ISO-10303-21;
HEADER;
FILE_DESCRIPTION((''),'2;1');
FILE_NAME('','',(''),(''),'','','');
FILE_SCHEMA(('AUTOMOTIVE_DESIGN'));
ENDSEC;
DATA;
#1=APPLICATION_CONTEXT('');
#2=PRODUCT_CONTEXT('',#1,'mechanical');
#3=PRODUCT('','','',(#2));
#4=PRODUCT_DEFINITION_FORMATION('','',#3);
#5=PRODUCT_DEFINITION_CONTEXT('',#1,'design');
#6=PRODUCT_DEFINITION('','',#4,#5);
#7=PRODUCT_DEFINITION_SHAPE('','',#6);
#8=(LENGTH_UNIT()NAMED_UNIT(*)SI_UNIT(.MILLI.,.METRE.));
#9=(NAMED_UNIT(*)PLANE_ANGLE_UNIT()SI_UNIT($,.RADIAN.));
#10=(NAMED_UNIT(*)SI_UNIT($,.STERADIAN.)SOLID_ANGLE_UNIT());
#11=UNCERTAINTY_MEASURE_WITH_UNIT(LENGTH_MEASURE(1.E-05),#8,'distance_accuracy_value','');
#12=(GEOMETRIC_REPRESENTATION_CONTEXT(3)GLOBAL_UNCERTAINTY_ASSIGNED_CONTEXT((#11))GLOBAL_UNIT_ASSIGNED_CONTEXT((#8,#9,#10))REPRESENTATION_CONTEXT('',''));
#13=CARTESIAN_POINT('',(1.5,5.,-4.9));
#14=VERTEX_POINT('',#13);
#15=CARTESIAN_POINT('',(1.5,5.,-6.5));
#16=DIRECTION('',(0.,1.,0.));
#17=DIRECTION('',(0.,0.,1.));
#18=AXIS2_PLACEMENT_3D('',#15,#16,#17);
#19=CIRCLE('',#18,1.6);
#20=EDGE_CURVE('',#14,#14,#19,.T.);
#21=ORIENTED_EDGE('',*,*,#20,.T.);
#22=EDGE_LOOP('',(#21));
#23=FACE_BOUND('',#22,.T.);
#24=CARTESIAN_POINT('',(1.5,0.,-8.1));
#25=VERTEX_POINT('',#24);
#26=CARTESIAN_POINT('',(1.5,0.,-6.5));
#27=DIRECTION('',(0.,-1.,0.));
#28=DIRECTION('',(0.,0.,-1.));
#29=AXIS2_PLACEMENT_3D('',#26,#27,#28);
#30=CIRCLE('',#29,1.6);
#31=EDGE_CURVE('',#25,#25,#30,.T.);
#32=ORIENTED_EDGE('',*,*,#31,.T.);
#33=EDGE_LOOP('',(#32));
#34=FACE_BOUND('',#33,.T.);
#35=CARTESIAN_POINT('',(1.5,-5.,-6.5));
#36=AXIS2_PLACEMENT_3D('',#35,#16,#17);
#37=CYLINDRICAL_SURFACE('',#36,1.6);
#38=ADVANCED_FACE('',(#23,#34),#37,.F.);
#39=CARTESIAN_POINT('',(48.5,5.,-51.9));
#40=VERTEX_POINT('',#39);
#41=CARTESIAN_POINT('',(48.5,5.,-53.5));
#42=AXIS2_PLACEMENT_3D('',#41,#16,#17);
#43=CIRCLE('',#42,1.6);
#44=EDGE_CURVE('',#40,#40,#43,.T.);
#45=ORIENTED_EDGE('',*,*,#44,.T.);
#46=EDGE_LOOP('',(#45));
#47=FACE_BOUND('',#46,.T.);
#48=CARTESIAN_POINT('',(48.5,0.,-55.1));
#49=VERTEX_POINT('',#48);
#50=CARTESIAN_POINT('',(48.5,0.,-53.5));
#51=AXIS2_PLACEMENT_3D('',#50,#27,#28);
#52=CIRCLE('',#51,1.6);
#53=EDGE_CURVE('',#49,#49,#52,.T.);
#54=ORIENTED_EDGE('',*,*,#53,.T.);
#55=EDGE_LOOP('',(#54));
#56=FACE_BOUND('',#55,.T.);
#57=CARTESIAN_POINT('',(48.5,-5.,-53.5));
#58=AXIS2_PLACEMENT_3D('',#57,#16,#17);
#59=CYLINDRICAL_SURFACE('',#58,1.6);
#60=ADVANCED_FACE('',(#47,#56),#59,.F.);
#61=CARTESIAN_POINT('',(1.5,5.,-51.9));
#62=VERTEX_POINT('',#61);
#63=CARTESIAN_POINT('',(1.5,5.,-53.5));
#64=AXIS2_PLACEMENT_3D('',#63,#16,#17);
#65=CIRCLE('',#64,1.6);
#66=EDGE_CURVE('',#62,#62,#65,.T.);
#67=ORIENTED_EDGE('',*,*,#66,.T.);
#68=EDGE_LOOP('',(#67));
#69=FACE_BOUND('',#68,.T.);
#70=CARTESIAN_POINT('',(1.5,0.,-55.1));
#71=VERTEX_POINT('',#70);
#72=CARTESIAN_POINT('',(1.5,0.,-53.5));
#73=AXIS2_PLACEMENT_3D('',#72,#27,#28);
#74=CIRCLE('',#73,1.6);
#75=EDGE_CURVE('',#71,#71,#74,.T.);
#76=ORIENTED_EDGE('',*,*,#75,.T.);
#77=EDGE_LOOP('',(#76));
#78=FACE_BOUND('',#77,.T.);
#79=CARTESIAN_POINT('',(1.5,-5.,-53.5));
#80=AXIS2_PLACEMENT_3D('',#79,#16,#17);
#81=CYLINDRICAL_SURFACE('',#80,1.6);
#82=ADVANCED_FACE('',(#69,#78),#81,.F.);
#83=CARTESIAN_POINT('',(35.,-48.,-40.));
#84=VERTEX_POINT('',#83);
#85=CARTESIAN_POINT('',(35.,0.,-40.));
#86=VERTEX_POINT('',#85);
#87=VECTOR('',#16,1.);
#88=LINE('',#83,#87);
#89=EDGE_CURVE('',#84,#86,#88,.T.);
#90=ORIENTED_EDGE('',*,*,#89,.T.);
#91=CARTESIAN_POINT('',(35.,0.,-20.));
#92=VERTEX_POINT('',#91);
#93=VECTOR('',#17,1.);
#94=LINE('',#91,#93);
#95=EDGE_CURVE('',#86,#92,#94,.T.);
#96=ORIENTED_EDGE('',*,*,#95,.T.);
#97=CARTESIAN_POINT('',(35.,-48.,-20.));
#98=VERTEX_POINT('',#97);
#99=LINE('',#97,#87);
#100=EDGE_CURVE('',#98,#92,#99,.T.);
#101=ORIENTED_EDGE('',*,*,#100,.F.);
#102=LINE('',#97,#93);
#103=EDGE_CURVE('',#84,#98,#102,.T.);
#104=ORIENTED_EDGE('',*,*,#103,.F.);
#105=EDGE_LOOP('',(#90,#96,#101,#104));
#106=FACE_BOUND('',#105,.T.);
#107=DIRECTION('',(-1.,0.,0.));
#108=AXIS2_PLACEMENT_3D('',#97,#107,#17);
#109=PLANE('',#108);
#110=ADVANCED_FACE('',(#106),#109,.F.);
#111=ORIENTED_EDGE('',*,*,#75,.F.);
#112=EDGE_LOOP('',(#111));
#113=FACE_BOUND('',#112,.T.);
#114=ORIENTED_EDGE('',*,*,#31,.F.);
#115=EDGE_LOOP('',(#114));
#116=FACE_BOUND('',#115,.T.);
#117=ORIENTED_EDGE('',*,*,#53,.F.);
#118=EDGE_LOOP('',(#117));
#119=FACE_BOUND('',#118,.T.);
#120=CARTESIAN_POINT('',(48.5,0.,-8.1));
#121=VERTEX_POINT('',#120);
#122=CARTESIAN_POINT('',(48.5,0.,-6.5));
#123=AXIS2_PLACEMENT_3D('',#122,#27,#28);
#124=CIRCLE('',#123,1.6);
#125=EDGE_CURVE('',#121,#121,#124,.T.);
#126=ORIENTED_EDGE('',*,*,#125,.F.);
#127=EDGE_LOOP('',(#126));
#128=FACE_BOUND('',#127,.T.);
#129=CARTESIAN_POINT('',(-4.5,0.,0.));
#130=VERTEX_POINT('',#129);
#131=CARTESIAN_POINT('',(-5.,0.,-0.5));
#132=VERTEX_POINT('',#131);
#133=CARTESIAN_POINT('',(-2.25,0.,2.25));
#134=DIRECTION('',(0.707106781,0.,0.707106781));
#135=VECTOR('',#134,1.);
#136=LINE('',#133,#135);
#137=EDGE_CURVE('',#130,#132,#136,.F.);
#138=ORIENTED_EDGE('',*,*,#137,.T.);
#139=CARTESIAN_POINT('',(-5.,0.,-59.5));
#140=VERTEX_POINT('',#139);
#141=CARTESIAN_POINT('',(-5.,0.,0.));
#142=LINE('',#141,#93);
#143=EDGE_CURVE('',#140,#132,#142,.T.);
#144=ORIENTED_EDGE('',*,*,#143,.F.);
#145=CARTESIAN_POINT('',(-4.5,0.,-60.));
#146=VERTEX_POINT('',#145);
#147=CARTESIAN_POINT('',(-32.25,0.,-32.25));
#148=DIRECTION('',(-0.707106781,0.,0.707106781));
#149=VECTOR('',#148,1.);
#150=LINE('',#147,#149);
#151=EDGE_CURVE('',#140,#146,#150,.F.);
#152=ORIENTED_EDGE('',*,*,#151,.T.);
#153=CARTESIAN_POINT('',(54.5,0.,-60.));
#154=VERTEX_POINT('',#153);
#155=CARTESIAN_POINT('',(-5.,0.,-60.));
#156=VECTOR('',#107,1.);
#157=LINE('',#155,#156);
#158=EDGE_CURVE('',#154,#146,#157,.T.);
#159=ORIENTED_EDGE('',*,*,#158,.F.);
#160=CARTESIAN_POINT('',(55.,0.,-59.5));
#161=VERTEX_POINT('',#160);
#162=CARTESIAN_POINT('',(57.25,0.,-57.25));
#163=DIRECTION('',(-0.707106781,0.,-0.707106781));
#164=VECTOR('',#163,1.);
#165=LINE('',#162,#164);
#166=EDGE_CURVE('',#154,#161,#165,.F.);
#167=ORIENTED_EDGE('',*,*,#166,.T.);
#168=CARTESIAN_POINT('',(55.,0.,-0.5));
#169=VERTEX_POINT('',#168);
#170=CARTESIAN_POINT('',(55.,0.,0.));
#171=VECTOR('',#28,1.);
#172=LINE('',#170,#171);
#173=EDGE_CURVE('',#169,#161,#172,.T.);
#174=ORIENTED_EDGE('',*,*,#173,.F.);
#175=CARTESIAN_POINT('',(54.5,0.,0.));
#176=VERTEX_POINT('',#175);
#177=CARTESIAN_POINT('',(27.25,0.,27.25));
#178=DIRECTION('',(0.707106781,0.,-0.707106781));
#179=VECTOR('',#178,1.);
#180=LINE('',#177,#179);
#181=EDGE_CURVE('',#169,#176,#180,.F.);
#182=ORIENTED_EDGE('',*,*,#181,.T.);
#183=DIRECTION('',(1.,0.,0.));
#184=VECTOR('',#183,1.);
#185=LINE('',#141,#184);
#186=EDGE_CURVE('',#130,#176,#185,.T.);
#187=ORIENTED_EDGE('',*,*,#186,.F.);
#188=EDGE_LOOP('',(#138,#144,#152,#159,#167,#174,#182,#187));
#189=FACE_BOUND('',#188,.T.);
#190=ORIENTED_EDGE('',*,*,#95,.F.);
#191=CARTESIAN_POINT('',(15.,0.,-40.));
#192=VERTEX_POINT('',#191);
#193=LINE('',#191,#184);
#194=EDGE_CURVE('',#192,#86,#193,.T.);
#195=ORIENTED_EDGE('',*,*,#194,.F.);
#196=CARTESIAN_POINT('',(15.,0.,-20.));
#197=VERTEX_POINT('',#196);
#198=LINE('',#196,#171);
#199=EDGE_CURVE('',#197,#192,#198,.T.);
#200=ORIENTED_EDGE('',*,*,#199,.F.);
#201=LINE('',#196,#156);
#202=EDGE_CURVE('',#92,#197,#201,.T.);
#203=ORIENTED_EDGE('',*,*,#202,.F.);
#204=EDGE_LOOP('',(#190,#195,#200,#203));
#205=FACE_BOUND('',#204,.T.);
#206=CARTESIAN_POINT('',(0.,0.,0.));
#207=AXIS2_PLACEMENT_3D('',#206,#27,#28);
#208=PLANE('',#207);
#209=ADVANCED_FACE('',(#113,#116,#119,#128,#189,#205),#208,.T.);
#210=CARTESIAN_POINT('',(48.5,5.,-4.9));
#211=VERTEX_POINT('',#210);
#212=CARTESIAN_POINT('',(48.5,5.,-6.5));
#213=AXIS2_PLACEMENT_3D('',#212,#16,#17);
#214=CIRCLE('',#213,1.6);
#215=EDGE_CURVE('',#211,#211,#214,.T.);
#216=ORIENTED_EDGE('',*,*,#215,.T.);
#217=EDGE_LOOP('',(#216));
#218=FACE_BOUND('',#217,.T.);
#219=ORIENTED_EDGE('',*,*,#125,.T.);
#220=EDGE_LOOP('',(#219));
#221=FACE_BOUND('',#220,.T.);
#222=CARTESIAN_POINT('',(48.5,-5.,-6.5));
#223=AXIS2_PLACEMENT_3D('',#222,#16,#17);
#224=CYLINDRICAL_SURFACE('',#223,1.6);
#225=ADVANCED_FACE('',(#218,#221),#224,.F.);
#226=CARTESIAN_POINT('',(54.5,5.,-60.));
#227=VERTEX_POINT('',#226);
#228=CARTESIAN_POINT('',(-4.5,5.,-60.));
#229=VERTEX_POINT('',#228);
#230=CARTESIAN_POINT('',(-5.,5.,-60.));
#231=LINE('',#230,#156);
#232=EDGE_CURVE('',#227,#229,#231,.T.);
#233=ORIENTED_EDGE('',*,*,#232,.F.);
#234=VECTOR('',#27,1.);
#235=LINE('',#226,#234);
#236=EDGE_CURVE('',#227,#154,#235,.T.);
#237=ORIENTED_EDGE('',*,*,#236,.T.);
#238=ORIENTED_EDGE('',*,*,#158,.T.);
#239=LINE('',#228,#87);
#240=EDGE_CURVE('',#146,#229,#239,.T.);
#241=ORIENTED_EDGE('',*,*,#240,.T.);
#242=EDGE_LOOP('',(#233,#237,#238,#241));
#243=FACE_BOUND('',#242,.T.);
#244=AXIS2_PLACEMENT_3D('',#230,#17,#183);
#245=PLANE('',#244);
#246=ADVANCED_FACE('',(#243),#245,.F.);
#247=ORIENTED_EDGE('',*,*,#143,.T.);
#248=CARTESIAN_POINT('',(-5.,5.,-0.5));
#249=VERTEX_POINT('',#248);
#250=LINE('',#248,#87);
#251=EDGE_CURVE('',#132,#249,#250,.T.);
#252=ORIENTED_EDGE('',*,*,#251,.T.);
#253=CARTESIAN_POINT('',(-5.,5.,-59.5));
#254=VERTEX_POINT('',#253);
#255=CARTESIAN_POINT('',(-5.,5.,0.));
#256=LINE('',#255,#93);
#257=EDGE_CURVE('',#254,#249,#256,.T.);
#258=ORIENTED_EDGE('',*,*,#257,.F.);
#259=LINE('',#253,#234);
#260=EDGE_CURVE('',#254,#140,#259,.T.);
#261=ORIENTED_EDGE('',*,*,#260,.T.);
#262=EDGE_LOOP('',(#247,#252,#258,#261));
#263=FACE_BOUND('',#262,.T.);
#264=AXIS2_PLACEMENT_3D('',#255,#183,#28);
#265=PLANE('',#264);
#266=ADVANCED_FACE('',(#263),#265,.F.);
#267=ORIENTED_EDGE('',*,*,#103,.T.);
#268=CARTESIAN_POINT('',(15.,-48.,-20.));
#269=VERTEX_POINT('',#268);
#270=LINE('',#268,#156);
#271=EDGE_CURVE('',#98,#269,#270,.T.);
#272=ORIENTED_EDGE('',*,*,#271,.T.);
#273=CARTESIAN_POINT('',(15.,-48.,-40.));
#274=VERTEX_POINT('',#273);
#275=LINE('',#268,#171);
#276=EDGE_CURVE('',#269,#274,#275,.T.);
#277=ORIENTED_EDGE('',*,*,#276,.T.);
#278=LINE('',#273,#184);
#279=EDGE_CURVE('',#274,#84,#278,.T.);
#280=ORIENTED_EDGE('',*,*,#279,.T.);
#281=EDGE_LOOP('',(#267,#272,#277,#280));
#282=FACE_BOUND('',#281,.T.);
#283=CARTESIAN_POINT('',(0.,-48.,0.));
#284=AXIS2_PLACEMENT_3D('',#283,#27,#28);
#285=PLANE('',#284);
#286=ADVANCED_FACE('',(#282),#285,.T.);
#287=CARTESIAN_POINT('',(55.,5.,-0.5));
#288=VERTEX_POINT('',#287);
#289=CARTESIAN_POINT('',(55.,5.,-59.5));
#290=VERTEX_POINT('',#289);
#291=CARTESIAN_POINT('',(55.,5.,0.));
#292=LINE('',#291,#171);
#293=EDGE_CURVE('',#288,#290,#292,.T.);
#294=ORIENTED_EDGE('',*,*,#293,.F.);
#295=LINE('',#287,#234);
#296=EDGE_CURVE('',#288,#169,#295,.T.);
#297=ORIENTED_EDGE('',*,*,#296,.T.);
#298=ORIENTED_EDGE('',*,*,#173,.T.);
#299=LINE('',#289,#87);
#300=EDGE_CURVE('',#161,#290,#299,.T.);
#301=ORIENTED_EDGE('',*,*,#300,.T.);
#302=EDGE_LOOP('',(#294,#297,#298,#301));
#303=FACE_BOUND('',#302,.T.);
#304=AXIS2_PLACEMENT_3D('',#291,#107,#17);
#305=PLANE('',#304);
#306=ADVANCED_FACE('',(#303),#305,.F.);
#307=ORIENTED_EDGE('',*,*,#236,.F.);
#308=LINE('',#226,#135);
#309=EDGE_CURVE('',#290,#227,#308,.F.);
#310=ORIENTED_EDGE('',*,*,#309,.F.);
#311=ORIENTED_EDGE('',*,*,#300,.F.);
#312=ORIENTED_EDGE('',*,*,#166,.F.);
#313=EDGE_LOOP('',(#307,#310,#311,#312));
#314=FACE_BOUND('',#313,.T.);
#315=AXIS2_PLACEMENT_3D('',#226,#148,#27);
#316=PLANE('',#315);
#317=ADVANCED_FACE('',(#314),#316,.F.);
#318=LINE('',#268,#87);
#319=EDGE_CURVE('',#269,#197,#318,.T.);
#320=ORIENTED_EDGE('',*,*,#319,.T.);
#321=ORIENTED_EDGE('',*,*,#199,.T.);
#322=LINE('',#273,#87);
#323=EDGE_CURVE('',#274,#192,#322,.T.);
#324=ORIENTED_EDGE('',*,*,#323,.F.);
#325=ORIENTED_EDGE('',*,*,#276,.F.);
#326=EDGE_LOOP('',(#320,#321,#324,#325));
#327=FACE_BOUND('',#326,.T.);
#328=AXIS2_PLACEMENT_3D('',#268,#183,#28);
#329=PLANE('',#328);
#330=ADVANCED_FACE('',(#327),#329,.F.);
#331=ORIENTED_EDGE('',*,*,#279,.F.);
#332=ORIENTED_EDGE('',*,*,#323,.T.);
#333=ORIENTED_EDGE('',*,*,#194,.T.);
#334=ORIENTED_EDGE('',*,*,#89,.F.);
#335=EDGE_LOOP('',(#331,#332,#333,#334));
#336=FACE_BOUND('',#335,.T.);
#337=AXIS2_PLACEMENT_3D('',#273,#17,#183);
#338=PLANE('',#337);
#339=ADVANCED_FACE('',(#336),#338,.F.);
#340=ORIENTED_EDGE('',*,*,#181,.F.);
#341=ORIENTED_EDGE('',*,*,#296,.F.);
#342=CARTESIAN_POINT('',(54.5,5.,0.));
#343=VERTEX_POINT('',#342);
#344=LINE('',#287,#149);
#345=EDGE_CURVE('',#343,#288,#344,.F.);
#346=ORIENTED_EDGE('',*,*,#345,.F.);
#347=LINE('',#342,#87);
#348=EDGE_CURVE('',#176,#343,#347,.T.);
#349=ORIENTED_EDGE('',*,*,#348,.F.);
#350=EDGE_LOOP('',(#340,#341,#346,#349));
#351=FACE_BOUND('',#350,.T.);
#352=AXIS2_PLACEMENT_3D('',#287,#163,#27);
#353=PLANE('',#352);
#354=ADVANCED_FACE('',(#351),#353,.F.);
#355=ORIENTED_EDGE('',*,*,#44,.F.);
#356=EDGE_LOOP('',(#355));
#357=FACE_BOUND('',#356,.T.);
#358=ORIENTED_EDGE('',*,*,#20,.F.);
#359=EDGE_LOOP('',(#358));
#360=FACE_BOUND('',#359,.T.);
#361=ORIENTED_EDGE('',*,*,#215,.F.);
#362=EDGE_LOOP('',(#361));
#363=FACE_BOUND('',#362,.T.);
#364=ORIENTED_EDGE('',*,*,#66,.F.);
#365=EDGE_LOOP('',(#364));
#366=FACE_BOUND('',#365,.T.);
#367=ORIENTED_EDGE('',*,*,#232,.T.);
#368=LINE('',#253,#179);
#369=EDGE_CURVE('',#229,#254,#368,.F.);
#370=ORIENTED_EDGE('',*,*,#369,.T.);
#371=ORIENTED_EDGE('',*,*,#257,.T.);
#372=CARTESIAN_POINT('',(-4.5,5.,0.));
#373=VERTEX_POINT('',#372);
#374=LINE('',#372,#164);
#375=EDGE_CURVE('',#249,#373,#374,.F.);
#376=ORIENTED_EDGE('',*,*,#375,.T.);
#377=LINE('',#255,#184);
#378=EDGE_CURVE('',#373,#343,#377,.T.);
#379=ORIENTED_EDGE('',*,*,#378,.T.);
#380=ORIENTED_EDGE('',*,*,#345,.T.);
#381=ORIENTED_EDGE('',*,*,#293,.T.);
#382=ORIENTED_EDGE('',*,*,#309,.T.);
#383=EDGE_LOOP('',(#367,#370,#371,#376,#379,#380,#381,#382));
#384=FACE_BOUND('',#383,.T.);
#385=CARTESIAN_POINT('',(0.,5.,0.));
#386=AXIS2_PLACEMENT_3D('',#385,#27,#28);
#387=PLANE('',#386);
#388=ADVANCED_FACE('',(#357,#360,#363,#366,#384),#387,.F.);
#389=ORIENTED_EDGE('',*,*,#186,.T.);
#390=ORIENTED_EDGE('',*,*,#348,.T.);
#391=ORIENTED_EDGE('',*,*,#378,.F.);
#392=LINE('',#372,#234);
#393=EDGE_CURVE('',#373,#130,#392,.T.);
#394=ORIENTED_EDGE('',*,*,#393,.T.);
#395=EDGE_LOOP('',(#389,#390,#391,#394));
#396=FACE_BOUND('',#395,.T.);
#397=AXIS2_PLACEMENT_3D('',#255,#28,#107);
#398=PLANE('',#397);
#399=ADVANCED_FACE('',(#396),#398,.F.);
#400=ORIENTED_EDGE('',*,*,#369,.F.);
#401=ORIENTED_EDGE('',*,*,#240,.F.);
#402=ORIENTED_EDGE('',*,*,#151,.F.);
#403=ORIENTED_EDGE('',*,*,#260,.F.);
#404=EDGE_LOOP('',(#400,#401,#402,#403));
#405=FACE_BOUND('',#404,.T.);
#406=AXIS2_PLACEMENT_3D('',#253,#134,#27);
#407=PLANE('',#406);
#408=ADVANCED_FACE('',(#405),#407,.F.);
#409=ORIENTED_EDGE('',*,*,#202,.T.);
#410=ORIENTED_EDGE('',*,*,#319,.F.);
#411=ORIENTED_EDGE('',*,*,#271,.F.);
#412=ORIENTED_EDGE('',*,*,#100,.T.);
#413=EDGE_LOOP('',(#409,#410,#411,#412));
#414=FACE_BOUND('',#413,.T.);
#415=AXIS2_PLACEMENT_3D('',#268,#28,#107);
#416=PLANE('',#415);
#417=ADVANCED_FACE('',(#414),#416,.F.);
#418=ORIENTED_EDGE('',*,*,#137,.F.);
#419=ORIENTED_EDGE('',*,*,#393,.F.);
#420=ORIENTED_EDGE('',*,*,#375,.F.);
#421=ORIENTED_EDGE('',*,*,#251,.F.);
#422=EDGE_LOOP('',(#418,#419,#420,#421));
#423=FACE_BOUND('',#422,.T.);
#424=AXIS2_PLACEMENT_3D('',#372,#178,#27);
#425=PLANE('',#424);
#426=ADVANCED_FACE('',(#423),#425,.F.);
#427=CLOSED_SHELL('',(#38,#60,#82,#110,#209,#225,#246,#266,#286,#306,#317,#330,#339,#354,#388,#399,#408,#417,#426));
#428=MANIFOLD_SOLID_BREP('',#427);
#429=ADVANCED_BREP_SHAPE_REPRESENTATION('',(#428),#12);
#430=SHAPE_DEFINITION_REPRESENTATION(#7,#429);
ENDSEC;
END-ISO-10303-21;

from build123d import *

# Parameters (mm, degrees)
SKIZZE1_W                       = 60
SKIZZE1_H                       = 60
AUFSATZ_LINEAR_AUSTRAGEN1_DEPTH = 5
SKIZZE7_R                       = 1.6
SCHNITT_LINEAR_AUSTRAGEN1_DEPTH = 10
FASE1_SIZE                      = 0.5
SKIZZE8_W                       = 20
SKIZZE8_H                       = 20
AUFSATZ_LINEAR_AUSTRAGEN2_DEPTH = 48


with BuildPart() as part:
    # Skizze1 → Aufsatz-Linear austragen1 (new body)
    with BuildSketch(Plane(origin=(0, 0, 0), x_dir=(1, 0, 0), z_dir=(0, 1, 0))):
        with Locations((25, 30)):
            Rectangle(SKIZZE1_W, SKIZZE1_H)
    extrude(amount=AUFSATZ_LINEAR_AUSTRAGEN1_DEPTH)

    # Skizze7 → Schnitt-Linear austragen1 (cut)
    with BuildSketch(Plane(origin=(0, 5, 0), x_dir=(1, 0, 0), z_dir=(0, 1, 0))):
        with Locations(Location((1.5, 53.5, 0), (0, 0, 270))):
            Circle(SKIZZE7_R)
        with Locations(Location((48.5, 53.5, 0), (0, 0, 270))):
            Circle(SKIZZE7_R)
        with Locations(Location((48.5, 6.5, 0), (0, 0, 270))):
            Circle(SKIZZE7_R)
        with Locations(Location((1.5, 6.5, 0), (0, 0, 270))):
            Circle(SKIZZE7_R)
    extrude(amount=-SCHNITT_LINEAR_AUSTRAGEN1_DEPTH, mode=Mode.SUBTRACT)

    # Fase1
    fase1_edges = [part.edges().sort_by_distance(p)[0] for p in [
        (-5, 2.5, -60),
        (55, 2.5, -60),
        (55, 2.5, 0),
        (-5, 2.5, 0),
    ]]
    chamfer(fase1_edges, length=FASE1_SIZE)

    # Skizze8 → Aufsatz-Linear austragen2 (add)
    with BuildSketch(Plane.XZ):
        with Locations((25, -30)):
            Rectangle(SKIZZE8_W, SKIZZE8_H)
    extrude(amount=AUFSATZ_LINEAR_AUSTRAGEN2_DEPTH)


solid = part.part
